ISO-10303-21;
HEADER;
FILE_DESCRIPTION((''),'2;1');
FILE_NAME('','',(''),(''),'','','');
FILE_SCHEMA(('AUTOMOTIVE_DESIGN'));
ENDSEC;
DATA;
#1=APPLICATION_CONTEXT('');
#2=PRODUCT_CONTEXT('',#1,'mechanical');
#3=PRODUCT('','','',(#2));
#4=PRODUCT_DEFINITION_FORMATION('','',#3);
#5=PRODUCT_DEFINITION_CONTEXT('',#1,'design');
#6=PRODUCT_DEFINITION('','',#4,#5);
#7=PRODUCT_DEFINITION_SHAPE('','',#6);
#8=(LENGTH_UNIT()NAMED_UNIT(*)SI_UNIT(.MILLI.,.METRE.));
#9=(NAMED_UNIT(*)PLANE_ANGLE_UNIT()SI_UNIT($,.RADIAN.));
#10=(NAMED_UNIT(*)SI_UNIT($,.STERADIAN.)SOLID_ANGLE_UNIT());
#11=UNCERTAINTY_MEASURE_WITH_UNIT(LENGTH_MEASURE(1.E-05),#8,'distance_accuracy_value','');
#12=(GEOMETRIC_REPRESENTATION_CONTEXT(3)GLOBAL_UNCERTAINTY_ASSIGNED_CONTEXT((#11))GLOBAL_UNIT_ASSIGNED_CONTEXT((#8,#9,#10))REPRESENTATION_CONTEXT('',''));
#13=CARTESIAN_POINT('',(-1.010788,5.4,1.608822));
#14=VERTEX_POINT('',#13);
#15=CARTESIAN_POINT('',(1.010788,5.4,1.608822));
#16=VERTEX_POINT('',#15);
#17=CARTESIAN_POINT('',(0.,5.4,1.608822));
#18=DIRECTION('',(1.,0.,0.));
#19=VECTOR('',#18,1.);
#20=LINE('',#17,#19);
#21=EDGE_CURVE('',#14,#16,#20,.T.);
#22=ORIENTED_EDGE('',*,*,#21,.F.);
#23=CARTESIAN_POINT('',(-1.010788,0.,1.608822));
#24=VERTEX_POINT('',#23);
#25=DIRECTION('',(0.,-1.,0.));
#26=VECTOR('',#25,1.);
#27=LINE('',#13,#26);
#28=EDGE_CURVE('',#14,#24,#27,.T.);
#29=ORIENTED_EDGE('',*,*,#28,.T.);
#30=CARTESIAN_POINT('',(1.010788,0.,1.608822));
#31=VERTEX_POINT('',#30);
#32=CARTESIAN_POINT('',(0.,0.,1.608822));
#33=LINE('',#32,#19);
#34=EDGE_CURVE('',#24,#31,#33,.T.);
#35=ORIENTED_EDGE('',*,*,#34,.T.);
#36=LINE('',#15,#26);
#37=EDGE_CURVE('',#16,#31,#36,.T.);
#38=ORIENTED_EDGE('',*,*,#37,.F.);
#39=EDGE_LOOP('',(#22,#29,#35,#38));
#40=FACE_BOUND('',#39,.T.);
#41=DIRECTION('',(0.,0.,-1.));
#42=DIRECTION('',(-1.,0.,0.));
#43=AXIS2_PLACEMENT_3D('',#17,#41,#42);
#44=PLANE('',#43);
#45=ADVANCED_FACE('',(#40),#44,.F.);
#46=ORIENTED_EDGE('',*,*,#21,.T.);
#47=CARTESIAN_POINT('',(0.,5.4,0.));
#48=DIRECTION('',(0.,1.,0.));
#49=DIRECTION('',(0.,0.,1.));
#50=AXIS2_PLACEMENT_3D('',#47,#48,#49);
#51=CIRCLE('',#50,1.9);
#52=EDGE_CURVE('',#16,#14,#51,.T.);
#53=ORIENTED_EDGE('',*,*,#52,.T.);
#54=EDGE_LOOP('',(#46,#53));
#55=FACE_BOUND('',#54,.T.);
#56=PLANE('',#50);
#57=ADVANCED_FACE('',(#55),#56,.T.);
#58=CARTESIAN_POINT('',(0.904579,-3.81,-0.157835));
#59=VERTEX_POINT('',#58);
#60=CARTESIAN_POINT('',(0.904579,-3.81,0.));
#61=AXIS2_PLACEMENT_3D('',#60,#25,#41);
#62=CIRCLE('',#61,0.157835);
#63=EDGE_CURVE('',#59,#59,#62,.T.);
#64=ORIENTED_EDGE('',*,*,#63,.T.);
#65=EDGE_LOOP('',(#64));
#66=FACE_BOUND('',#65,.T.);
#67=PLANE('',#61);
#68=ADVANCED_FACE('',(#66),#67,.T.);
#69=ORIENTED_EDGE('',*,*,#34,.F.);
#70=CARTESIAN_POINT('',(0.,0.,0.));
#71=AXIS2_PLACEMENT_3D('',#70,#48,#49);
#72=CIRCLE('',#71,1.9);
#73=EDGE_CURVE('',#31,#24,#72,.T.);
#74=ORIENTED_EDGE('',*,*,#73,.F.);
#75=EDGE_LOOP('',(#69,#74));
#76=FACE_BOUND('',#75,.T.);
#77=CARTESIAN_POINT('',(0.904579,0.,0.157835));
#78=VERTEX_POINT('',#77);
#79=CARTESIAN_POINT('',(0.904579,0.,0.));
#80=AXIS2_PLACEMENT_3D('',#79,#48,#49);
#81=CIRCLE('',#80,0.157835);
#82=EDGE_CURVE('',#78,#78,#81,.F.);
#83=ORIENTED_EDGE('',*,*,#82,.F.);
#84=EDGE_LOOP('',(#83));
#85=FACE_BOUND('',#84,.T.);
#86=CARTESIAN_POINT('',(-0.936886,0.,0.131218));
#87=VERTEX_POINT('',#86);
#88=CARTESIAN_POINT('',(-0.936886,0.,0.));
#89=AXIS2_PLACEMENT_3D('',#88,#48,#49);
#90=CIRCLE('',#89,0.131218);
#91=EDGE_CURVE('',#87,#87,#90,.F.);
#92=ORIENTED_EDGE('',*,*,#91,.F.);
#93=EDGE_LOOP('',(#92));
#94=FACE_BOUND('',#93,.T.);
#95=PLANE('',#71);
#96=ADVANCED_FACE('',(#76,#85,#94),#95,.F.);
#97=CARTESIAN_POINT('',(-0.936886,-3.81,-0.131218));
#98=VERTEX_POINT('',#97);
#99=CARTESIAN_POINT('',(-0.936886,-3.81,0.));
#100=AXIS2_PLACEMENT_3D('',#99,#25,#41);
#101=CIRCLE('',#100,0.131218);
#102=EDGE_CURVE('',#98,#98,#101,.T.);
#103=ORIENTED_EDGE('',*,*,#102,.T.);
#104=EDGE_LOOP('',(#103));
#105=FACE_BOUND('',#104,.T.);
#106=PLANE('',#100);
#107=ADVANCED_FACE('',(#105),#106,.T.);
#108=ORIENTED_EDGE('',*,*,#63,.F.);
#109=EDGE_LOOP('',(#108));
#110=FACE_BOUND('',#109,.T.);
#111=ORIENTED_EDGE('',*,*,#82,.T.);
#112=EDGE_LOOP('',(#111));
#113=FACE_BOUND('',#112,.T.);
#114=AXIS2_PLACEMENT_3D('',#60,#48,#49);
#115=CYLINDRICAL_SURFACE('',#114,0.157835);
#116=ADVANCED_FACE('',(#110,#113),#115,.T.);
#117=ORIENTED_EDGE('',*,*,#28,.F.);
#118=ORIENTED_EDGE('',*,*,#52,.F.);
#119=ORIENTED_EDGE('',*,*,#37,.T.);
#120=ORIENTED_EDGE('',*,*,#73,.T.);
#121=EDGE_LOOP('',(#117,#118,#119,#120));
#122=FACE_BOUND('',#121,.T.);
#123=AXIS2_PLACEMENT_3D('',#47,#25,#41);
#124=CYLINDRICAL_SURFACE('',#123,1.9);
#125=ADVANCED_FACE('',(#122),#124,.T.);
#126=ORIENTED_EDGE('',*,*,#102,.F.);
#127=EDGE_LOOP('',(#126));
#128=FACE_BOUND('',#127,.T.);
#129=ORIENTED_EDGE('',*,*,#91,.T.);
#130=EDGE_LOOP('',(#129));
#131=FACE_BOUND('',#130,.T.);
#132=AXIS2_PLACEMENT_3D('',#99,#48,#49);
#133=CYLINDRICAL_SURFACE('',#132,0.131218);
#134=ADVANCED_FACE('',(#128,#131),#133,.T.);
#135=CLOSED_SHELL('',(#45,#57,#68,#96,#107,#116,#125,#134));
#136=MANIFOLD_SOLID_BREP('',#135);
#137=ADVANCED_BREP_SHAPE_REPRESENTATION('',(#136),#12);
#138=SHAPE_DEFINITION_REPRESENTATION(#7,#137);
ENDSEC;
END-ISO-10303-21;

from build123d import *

# Parameters (mm, degrees)
SKETCH1_R           = 1.55
BOSS_EXTRUDE1_DEPTH = 5.4
SKETCH2_R           = 0.15783532
SKETCH2_R_2         = 0.131217629
BOSS_EXTRUDE2_DEPTH = 3.81


with BuildPart() as part:
    # Sketch1 → Boss-Extrude1 (new body)
    # profile 1 of 2: a face of its own
    with BuildSketch(Plane(origin=(0, 0, 0), x_dir=(1, 0, 0), z_dir=(0, 1, 0))):
        with BuildLine():
            Line((-1.010787693, -1.608822004), (1.010787693, -1.608822004))
            ThreePointArc((1.010787693, -1.608822004), (0, 1.9), (-1.010787693, -1.608822004))
        make_face()
        Circle(SKETCH1_R, mode=Mode.SUBTRACT)
    # profile 2 of 2: a face of its own
    with BuildSketch(Plane(origin=(0, 0, 0), x_dir=(1, 0, 0), z_dir=(0, 1, 0))):
        Circle(SKETCH1_R)
    extrude(amount=BOSS_EXTRUDE1_DEPTH)

    # Sketch2 → Boss-Extrude2 (add)
    with BuildSketch(Plane.XZ):
        with Locations(Location((0.904579412, 0, 0), (0, 0, 90))):
            Circle(SKETCH2_R)
        with Locations(Location((-0.93688582, 0, 0), (0, 0, 90))):
            Circle(SKETCH2_R_2)
    extrude(amount=BOSS_EXTRUDE2_DEPTH)


solid = part.part
